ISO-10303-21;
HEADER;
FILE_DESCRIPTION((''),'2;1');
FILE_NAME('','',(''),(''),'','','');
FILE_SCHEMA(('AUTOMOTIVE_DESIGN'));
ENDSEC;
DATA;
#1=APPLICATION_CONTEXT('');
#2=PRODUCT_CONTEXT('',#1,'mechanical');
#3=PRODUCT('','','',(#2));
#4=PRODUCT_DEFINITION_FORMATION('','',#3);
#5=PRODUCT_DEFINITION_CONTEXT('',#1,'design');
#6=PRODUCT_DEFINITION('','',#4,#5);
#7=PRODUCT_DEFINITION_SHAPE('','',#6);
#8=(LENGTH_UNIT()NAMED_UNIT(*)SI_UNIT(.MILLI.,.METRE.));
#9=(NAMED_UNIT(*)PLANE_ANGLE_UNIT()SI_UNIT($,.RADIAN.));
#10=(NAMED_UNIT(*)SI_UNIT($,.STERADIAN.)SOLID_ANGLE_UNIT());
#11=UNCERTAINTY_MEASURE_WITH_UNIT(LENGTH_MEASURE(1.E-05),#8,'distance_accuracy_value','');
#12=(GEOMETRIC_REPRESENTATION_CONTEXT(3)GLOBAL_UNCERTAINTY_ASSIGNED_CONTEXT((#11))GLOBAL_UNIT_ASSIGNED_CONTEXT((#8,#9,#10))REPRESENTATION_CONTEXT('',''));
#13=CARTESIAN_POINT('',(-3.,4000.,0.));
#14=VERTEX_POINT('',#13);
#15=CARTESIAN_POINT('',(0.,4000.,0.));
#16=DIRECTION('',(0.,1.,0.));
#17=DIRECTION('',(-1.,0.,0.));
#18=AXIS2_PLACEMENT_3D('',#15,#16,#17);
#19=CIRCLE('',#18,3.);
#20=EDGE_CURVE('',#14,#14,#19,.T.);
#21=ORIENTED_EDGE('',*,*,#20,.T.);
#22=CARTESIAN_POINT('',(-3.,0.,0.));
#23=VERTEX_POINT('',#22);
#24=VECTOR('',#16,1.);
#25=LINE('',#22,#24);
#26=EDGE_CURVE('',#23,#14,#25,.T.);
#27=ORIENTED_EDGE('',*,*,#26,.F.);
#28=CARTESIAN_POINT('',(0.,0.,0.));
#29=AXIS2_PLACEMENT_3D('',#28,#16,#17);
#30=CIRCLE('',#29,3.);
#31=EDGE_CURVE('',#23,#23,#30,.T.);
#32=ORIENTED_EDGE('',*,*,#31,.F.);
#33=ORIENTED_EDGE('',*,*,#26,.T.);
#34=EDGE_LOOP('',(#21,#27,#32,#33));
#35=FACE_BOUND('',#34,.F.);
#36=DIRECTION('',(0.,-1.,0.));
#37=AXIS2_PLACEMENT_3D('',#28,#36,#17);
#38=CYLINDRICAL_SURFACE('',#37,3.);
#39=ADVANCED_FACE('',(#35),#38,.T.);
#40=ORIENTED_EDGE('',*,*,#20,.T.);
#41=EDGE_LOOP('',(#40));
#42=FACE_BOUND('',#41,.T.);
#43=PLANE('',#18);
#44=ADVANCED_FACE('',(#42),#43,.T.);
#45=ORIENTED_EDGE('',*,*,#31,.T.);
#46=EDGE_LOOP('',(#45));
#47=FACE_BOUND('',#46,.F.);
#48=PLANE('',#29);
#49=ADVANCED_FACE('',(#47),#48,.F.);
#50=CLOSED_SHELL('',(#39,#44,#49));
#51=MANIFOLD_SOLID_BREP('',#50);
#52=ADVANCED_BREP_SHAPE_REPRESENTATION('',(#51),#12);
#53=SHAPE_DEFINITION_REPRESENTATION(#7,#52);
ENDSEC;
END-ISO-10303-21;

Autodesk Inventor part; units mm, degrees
ref_plane "Start Plane" through (0, 0, 0) normal (0, 1, 0) x (-1, 0, 0)
ref_plane "End Plane" through (0, 4000, 0) normal (0, 1, 0) x (-1, 0, 0)
sketch "Sketch1" plane through (0, 0, 0) normal (0, 1, 0) x (-1, 0, 0)
  circle A0 centre (0, 0) radius 3
  dimension "d2" = 6
extrude "Body" add sketch "Sketch1" along normal up to surface (4000 mm away) from surface at 0
sketch "Sketch2" plane through (0, 0, 0) normal (0, 1, 0) x (-1, 0, 0)
  line L0 (0, 0) -> (10, 0)
ref_plane "Work Plane3" through (0, 0, 0) normal (0, 0, -1) x (-1, 0, 0)
sketch "Sketch3" plane through (0, 0, 0) normal (0, 0, -1) x (-1, 0, 0)
  line L0 (-2, 0) -> (12, 0)
  line L1 (-2, 4000) -> (12, 4000)
  dimension "d8" = 4000
ref_plane "Piano di lavoro4" through (3, 0, 0) normal (1, 0, 0) x (0, 1, 0)
ref_plane "Piano di lavoro5" through (0, 0, -3) normal (0, 0, 1) x (1, 0, 0)
equation "\"G_OFFSET_START\" = 0"
equation "\"G_OFFSET_END\" = 0"
equation "\"G_L\" = d8"
properties part number "13-505"
